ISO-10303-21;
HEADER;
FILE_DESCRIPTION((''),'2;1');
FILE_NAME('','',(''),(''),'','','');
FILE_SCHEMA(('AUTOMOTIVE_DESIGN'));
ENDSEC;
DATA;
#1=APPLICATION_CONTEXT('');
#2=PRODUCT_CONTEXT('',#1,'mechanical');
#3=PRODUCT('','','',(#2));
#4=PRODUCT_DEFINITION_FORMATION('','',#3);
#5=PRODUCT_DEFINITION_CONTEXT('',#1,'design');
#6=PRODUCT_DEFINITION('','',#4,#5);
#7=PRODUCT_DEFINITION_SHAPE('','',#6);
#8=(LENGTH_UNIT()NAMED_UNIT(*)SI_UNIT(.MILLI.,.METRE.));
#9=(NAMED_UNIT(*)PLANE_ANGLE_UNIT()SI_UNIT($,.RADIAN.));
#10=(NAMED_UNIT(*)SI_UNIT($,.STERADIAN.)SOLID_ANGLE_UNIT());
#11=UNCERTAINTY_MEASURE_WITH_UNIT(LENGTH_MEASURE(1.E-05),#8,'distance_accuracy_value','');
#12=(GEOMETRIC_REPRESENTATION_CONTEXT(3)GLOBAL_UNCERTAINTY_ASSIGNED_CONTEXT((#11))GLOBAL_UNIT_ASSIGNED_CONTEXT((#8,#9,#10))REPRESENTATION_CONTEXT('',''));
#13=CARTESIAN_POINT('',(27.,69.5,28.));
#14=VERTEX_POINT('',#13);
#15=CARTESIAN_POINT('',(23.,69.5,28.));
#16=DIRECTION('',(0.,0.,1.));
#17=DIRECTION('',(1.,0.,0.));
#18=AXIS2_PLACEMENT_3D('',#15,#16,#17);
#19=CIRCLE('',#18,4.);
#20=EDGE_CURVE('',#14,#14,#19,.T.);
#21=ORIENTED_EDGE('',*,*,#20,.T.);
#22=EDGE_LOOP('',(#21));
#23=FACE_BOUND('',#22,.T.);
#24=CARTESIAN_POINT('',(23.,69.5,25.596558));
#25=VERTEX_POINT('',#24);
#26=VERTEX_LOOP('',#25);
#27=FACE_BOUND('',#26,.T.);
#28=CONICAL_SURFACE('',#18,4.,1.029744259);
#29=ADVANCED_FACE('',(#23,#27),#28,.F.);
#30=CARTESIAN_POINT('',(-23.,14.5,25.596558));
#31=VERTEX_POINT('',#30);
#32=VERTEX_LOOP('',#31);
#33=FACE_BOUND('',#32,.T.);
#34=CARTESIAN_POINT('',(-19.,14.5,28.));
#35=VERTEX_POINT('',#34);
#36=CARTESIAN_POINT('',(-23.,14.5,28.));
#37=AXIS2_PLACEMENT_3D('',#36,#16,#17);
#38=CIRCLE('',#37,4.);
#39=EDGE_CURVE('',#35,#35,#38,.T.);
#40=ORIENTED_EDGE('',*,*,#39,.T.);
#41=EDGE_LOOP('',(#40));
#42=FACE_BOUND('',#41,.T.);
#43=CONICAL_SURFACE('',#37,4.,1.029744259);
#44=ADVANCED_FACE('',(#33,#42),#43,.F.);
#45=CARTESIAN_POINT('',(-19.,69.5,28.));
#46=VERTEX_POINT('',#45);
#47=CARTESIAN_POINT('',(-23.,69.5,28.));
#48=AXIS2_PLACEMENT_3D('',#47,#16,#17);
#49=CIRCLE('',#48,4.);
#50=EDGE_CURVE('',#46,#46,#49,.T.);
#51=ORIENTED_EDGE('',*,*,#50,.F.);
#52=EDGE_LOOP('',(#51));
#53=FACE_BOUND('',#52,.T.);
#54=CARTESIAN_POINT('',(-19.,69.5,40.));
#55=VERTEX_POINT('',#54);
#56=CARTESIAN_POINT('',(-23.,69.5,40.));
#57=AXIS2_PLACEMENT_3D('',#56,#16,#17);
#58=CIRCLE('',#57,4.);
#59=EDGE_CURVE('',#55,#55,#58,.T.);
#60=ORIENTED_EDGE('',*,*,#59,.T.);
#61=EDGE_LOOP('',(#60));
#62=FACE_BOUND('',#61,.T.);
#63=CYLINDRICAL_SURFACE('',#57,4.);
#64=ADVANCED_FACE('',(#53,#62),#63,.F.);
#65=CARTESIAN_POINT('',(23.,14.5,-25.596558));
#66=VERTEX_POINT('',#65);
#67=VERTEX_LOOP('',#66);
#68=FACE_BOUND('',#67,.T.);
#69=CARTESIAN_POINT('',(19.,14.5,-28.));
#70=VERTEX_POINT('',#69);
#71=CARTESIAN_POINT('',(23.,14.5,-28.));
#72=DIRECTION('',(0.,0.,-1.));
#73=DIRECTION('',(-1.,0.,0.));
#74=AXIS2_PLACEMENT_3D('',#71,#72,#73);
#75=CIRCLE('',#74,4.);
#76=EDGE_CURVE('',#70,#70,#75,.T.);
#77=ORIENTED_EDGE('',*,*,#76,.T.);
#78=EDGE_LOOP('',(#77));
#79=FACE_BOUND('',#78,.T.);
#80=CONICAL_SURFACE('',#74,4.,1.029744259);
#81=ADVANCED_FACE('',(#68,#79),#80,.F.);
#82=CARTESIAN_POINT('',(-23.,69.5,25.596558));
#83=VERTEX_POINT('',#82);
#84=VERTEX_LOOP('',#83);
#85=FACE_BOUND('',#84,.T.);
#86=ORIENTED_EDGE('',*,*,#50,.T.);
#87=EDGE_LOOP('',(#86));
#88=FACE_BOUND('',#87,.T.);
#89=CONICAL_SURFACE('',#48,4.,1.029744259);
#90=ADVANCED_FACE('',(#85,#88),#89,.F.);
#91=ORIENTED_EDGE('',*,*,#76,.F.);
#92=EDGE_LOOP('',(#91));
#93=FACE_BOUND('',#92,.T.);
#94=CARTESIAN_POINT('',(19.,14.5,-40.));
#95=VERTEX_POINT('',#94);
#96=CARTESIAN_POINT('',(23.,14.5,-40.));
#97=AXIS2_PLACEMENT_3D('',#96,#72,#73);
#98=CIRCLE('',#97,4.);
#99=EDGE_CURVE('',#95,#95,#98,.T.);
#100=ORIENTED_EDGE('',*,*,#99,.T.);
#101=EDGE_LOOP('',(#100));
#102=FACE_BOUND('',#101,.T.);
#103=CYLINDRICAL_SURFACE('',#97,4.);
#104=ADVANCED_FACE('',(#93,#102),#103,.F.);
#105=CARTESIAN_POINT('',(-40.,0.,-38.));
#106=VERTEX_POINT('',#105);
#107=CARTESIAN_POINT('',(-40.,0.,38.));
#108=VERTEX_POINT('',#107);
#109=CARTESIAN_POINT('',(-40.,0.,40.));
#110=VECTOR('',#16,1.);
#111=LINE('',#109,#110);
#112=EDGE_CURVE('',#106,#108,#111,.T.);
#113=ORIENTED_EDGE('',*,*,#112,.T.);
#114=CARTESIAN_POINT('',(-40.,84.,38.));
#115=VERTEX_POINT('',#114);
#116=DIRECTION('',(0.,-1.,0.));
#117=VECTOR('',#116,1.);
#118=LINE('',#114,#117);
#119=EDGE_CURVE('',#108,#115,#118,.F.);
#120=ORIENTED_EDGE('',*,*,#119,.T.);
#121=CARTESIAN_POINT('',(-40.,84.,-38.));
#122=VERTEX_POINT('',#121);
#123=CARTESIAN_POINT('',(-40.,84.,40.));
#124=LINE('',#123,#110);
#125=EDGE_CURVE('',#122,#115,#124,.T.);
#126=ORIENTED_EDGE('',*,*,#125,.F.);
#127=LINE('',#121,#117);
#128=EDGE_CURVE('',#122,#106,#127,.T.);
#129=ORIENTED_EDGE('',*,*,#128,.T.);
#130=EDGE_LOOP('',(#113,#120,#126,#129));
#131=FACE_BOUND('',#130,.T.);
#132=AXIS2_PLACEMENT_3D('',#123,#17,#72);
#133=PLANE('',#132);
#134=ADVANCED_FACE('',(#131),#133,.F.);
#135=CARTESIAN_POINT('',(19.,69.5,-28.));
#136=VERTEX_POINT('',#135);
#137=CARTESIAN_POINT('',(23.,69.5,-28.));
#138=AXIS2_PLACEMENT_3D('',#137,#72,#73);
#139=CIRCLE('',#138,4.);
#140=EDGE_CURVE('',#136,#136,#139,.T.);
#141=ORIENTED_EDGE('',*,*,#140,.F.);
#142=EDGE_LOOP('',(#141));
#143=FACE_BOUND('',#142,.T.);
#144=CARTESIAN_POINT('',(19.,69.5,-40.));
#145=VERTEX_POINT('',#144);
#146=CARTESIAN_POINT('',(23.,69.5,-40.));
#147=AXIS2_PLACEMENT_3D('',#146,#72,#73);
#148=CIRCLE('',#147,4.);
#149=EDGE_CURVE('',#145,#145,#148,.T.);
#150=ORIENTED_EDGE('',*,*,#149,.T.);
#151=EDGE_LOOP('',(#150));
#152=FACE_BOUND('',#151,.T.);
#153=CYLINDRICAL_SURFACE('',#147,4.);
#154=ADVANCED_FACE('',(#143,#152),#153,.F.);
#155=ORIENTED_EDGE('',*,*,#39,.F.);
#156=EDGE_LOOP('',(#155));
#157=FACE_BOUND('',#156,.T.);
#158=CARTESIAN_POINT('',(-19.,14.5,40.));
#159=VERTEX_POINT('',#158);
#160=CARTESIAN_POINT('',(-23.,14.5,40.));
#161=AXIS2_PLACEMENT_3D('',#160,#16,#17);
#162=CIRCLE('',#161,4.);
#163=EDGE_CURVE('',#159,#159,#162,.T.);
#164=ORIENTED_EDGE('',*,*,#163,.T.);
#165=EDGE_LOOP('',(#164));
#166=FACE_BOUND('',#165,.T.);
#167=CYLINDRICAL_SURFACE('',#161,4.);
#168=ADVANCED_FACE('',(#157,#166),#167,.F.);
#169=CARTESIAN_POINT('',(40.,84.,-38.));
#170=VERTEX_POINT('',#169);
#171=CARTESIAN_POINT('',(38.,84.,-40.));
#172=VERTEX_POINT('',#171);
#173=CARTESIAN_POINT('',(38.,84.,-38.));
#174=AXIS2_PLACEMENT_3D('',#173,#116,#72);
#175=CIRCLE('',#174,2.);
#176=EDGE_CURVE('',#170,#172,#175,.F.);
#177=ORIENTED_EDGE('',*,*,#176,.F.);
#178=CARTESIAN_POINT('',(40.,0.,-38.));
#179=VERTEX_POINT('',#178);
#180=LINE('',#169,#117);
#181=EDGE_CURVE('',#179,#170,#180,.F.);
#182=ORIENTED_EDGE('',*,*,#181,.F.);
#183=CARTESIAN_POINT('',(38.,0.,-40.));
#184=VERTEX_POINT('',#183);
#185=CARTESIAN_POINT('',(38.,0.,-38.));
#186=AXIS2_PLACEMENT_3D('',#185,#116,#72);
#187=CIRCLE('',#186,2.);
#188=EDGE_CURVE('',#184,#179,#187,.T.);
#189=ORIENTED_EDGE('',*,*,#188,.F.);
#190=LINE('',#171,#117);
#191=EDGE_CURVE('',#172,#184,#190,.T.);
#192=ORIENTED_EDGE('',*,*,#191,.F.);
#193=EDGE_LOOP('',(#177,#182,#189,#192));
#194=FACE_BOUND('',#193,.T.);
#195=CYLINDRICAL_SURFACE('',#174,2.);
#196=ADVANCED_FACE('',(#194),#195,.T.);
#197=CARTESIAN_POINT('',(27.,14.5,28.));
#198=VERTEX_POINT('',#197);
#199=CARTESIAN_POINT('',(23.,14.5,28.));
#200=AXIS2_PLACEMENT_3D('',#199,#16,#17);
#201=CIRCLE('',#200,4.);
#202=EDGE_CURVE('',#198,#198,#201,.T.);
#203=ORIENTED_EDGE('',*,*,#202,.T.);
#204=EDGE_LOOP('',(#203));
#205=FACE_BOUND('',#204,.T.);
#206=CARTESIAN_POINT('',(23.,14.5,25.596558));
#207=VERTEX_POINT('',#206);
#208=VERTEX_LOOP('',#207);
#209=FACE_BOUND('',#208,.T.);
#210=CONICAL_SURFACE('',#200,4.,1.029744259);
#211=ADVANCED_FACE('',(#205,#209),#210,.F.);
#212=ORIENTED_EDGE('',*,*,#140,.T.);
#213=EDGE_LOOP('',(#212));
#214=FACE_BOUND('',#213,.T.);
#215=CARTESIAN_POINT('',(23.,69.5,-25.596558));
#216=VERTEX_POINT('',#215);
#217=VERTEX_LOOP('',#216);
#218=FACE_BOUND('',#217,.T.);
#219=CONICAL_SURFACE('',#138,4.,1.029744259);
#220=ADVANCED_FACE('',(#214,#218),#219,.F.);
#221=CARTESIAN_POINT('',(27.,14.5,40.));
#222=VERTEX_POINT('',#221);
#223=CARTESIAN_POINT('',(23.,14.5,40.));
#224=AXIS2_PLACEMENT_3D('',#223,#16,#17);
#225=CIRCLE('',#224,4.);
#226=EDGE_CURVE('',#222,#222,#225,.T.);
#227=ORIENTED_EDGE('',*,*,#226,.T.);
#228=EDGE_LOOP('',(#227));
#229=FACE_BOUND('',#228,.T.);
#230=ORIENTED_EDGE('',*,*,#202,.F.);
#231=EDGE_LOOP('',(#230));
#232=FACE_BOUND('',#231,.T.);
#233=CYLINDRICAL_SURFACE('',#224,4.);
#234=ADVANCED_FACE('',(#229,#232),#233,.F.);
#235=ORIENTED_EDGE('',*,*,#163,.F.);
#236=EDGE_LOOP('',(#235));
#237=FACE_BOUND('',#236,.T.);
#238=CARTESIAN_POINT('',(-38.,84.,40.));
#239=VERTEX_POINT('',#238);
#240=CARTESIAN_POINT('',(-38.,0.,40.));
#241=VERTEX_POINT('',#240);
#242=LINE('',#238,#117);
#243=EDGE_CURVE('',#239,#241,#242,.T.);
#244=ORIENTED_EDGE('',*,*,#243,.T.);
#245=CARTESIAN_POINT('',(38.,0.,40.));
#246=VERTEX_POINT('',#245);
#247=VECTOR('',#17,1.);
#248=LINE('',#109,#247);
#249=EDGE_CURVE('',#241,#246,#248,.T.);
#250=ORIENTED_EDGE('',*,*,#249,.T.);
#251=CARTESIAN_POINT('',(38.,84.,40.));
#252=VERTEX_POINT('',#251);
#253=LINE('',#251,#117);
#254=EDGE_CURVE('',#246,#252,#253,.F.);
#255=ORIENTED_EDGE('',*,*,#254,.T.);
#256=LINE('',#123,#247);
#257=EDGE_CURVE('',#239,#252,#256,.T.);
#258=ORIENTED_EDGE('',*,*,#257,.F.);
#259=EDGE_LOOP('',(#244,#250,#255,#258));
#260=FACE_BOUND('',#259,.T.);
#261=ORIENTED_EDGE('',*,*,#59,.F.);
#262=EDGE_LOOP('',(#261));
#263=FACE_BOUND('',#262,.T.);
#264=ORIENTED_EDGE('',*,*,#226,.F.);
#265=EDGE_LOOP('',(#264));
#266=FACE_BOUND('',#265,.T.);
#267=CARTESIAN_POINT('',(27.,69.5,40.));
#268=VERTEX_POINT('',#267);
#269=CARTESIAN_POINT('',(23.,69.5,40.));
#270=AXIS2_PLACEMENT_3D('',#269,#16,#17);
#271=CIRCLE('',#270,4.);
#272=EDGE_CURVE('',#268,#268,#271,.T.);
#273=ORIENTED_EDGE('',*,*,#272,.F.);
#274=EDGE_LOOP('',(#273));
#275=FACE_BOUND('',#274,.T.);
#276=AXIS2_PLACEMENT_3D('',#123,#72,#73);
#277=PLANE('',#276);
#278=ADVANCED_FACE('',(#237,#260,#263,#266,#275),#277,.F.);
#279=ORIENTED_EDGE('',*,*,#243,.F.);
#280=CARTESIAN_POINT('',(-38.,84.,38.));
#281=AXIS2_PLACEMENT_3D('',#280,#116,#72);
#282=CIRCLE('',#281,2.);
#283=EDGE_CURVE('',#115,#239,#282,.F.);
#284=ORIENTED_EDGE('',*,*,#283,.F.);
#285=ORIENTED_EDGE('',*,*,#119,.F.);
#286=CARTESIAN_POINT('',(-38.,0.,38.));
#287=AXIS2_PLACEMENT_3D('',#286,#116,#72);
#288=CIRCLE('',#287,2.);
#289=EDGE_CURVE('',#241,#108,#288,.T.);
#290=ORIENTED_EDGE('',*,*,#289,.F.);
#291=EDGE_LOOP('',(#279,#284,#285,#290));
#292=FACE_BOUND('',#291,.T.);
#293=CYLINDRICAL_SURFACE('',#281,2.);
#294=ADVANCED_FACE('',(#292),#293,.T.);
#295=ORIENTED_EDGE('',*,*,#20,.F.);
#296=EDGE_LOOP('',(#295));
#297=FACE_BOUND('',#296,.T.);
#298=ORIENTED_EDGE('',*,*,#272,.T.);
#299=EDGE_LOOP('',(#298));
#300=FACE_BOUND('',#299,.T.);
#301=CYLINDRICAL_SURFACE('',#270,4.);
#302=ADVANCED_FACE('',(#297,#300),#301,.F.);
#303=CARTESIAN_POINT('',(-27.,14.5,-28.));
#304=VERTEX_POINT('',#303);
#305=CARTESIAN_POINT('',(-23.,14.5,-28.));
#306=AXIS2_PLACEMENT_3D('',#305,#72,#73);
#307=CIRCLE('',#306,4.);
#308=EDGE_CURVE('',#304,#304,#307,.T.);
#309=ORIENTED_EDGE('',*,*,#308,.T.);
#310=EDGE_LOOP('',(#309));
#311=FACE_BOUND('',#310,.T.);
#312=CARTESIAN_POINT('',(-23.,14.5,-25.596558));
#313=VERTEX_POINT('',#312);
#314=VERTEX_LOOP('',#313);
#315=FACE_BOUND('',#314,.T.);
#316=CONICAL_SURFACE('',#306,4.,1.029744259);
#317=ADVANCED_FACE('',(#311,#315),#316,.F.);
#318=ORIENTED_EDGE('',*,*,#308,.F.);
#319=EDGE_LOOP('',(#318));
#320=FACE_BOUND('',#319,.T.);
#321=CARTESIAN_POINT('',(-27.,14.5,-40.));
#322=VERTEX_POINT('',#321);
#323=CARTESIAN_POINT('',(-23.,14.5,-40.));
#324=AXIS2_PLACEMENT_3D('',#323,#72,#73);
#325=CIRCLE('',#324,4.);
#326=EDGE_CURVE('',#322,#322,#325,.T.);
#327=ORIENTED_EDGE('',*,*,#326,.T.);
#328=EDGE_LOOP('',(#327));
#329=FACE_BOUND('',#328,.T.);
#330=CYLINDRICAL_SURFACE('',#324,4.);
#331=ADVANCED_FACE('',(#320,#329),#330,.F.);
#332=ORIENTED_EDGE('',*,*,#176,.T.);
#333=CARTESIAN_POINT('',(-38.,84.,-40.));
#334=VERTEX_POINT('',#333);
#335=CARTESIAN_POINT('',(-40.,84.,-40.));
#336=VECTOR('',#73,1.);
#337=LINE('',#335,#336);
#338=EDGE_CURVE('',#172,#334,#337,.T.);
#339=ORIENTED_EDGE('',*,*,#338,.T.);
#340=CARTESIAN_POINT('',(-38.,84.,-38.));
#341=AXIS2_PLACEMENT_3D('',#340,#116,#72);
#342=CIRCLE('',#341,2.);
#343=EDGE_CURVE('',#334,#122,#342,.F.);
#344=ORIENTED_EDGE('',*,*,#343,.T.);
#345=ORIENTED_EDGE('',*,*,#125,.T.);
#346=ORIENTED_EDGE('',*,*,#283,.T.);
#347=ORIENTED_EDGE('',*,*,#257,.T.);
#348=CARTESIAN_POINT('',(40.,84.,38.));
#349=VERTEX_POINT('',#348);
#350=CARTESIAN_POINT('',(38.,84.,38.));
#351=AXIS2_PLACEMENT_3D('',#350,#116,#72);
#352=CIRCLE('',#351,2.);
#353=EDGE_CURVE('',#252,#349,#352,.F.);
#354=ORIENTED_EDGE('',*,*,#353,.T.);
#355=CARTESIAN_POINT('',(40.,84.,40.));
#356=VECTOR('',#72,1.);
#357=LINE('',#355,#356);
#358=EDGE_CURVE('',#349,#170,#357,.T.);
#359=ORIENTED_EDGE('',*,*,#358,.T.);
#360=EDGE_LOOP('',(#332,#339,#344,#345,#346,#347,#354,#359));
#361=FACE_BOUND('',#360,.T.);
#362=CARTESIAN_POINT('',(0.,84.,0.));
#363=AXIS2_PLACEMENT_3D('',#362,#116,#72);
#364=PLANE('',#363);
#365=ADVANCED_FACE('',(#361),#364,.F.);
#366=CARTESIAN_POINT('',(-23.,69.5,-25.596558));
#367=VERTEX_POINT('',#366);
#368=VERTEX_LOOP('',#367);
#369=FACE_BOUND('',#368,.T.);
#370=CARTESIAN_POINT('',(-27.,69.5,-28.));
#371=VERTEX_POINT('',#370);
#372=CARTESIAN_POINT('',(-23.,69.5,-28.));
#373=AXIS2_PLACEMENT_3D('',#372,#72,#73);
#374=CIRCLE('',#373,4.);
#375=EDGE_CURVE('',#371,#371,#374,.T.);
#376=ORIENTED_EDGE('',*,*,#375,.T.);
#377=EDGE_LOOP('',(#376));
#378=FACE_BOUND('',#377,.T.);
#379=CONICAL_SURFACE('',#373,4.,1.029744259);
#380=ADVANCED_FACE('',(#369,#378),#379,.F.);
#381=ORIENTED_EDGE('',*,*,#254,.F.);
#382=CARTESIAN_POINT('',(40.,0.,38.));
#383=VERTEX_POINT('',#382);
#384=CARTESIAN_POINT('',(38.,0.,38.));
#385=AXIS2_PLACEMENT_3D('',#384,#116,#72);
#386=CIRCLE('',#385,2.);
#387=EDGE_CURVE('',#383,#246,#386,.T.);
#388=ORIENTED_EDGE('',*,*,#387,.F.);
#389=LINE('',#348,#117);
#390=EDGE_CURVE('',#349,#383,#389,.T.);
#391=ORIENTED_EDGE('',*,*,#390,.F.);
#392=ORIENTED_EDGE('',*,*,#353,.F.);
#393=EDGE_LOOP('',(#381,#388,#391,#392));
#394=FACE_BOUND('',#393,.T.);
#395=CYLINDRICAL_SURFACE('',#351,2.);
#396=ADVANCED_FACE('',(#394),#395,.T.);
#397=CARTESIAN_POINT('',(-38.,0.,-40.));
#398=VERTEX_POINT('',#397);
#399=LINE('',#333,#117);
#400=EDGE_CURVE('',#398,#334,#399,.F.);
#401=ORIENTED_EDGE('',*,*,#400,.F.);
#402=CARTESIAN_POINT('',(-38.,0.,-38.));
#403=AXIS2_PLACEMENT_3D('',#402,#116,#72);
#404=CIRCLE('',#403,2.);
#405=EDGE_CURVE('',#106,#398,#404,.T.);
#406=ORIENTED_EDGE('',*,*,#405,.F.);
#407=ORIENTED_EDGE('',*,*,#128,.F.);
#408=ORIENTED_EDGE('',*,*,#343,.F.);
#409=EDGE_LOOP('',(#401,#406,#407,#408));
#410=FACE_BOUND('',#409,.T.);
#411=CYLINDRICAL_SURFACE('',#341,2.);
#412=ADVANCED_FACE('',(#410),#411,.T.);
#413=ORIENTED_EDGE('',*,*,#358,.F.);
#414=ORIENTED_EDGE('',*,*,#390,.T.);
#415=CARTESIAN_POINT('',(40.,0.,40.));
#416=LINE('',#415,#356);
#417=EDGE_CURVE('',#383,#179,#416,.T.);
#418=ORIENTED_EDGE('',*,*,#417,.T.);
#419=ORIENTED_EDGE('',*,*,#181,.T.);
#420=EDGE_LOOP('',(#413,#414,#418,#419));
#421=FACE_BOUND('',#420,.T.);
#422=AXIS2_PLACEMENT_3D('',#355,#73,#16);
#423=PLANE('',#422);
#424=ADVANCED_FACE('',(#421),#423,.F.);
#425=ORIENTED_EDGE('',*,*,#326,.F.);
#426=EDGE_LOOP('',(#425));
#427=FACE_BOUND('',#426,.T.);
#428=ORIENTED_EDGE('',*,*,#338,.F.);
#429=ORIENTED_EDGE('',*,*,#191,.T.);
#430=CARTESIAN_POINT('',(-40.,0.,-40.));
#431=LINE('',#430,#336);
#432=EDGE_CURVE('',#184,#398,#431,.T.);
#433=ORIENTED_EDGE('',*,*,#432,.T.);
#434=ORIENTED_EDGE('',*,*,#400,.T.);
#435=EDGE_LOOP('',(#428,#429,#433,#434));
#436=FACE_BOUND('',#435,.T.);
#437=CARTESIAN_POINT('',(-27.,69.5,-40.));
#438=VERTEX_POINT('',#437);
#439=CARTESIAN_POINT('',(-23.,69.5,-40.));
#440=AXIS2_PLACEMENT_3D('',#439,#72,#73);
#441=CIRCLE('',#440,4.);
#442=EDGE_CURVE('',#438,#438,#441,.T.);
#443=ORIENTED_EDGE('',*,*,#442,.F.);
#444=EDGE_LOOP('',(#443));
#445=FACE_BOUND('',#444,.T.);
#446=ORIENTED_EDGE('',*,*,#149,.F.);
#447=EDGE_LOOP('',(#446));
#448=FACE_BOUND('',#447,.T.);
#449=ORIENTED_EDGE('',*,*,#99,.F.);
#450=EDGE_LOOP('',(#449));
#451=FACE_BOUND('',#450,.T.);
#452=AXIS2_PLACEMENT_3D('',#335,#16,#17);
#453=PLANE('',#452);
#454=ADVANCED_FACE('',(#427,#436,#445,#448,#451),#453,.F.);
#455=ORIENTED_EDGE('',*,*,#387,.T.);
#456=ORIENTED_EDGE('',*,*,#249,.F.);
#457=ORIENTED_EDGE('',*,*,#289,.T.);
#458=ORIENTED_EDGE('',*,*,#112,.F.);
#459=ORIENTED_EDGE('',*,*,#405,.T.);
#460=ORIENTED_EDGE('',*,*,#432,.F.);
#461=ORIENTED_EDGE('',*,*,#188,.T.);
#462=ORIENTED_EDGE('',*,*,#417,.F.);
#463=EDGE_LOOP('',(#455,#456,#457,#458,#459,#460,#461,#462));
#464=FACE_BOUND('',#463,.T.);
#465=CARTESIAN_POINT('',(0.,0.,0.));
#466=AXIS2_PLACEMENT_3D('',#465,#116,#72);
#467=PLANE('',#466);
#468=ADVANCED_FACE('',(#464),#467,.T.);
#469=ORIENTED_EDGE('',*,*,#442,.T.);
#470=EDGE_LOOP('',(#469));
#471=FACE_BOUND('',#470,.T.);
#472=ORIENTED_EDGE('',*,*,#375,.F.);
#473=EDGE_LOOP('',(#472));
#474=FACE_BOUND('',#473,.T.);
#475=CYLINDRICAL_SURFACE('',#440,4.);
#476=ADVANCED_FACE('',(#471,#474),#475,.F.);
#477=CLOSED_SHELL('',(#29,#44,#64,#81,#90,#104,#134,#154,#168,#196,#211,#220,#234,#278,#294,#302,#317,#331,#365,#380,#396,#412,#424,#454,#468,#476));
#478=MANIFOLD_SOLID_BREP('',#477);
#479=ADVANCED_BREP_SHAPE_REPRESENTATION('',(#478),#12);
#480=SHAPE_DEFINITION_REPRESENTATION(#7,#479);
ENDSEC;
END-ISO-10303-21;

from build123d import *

# Parameters (mm, degrees)
SZKIC1_W                            = 80
SZKIC1_H                            = 80
DODANIE_WYCI_GNI_CIE1_DEPTH         = 84
OTWORY_USTALAJ_CE_8_0MM1_AT_2_COUNT = 2
OTWORY_USTALAJ_CE_8_0MM1_AT_2_PITCH = 46
OTWORY_USTALAJ_CE_8_0MM1_AT_3_COUNT = 2
OTWORY_USTALAJ_CE_8_0MM1_AT_3_PITCH = 71.700767081
OTWORY_USTALAJ_CE_8_0MM1_AT_4_COUNT = 2
OTWORY_USTALAJ_CE_8_0MM1_AT_4_PITCH = 55
ZAOKR_GLENIE2_R                     = 2


with BuildPart() as part:
    # Szkic1 → Dodanie-wyciągnięcie1 (new body)
    with BuildSketch(Plane(origin=(0, 0, 0), x_dir=(1, 0, 0), z_dir=(0, 1, 0))):
        Rectangle(SZKIC1_W, SZKIC1_H)
    extrude(amount=DODANIE_WYCI_GNI_CIE1_DEPTH)

    # Szkic4 → Otwory ustalające Ø8.0mm1 (revolve, cut)
    with BuildSketch(Plane(origin=(-23, 69.5, 40), x_dir=(0, -1, 0), z_dir=(1, 0, 0))):
        Polygon((0, 0), (0, 14.403442476), (4, 12), (4, 0), align=None)
    otwory_ustalaj_ce_8_0mm1 = revolve(axis=Axis((-23, 69.5, 46.35), (0, 0, -1)), mode=Mode.SUBTRACT)

    # Otwory ustalające Ø8.0mm1 at 2: Otwory ustalające Ø8.0mm1 ×2
    with Locations(*[(i * OTWORY_USTALAJ_CE_8_0MM1_AT_2_PITCH, 0, 0) for i in range(1, OTWORY_USTALAJ_CE_8_0MM1_AT_2_COUNT)]):
        add(otwory_ustalaj_ce_8_0mm1, mode=Mode.SUBTRACT)

    # Otwory ustalające Ø8.0mm1 at 3: Otwory ustalające Ø8.0mm1 ×2
    with Locations(*[Vector(0.6415552004911063, -0.7670768701524096, 0) * (i * OTWORY_USTALAJ_CE_8_0MM1_AT_3_PITCH) for i in range(1, OTWORY_USTALAJ_CE_8_0MM1_AT_3_COUNT)]):
        add(otwory_ustalaj_ce_8_0mm1, mode=Mode.SUBTRACT)

    # Otwory ustalające Ø8.0mm1 at 4: Otwory ustalające Ø8.0mm1 ×2
    with Locations(*[(0, -i * OTWORY_USTALAJ_CE_8_0MM1_AT_4_PITCH, 0) for i in range(1, OTWORY_USTALAJ_CE_8_0MM1_AT_4_COUNT)]):
        add(otwory_ustalaj_ce_8_0mm1, mode=Mode.SUBTRACT)

    # Lustro1: Otwory ustalające Ø8.0mm1 across plane
    add(otwory_ustalaj_ce_8_0mm1.mirror(Plane.XY), mode=Mode.SUBTRACT)

    # Lustro1 copy 1 sketch → Lustro1 copy 1 (revolve, cut)
    with BuildSketch(Plane(origin=(23, 69.5, -40), x_dir=(0, -1, 0), z_dir=(1, 0, 0))):
        Polygon((0, 0), (0, -14.403442476), (4, -12), (4, 0), align=None)
    revolve(axis=Axis((23, 69.5, -46.35), (0, 0, -1)), mode=Mode.SUBTRACT)

    # Lustro1 copy 2 sketch → Lustro1 copy 2 (revolve, cut)
    with BuildSketch(Plane(origin=(23, 14.5, -40), x_dir=(0, -1, 0), z_dir=(1, 0, 0))):
        Polygon((0, 0), (0, -14.403442476), (4, -12), (4, 0), align=None)
    revolve(axis=Axis((23, 14.5, -46.35), (0, 0, -1)), mode=Mode.SUBTRACT)

    # Lustro1 copy 3 sketch → Lustro1 copy 3 (revolve, cut)
    with BuildSketch(Plane(origin=(-23, 14.5, -40), x_dir=(0, -1, 0), z_dir=(1, 0, 0))):
        Polygon((0, 0), (0, -14.403442476), (4, -12), (4, 0), align=None)
    revolve(axis=Axis((-23, 14.5, -46.35), (0, 0, -1)), mode=Mode.SUBTRACT)

    # Zaokrąglenie2
    zaokr_glenie2_edges = [part.edges().sort_by_distance(p)[0] for p in [
        (40, 42, 40),
        (-40, 42, 40),
        (-40, 42, -40),
        (40, 42, -40),
    ]]
    fillet(zaokr_glenie2_edges, radius=ZAOKR_GLENIE2_R)


solid = part.part
